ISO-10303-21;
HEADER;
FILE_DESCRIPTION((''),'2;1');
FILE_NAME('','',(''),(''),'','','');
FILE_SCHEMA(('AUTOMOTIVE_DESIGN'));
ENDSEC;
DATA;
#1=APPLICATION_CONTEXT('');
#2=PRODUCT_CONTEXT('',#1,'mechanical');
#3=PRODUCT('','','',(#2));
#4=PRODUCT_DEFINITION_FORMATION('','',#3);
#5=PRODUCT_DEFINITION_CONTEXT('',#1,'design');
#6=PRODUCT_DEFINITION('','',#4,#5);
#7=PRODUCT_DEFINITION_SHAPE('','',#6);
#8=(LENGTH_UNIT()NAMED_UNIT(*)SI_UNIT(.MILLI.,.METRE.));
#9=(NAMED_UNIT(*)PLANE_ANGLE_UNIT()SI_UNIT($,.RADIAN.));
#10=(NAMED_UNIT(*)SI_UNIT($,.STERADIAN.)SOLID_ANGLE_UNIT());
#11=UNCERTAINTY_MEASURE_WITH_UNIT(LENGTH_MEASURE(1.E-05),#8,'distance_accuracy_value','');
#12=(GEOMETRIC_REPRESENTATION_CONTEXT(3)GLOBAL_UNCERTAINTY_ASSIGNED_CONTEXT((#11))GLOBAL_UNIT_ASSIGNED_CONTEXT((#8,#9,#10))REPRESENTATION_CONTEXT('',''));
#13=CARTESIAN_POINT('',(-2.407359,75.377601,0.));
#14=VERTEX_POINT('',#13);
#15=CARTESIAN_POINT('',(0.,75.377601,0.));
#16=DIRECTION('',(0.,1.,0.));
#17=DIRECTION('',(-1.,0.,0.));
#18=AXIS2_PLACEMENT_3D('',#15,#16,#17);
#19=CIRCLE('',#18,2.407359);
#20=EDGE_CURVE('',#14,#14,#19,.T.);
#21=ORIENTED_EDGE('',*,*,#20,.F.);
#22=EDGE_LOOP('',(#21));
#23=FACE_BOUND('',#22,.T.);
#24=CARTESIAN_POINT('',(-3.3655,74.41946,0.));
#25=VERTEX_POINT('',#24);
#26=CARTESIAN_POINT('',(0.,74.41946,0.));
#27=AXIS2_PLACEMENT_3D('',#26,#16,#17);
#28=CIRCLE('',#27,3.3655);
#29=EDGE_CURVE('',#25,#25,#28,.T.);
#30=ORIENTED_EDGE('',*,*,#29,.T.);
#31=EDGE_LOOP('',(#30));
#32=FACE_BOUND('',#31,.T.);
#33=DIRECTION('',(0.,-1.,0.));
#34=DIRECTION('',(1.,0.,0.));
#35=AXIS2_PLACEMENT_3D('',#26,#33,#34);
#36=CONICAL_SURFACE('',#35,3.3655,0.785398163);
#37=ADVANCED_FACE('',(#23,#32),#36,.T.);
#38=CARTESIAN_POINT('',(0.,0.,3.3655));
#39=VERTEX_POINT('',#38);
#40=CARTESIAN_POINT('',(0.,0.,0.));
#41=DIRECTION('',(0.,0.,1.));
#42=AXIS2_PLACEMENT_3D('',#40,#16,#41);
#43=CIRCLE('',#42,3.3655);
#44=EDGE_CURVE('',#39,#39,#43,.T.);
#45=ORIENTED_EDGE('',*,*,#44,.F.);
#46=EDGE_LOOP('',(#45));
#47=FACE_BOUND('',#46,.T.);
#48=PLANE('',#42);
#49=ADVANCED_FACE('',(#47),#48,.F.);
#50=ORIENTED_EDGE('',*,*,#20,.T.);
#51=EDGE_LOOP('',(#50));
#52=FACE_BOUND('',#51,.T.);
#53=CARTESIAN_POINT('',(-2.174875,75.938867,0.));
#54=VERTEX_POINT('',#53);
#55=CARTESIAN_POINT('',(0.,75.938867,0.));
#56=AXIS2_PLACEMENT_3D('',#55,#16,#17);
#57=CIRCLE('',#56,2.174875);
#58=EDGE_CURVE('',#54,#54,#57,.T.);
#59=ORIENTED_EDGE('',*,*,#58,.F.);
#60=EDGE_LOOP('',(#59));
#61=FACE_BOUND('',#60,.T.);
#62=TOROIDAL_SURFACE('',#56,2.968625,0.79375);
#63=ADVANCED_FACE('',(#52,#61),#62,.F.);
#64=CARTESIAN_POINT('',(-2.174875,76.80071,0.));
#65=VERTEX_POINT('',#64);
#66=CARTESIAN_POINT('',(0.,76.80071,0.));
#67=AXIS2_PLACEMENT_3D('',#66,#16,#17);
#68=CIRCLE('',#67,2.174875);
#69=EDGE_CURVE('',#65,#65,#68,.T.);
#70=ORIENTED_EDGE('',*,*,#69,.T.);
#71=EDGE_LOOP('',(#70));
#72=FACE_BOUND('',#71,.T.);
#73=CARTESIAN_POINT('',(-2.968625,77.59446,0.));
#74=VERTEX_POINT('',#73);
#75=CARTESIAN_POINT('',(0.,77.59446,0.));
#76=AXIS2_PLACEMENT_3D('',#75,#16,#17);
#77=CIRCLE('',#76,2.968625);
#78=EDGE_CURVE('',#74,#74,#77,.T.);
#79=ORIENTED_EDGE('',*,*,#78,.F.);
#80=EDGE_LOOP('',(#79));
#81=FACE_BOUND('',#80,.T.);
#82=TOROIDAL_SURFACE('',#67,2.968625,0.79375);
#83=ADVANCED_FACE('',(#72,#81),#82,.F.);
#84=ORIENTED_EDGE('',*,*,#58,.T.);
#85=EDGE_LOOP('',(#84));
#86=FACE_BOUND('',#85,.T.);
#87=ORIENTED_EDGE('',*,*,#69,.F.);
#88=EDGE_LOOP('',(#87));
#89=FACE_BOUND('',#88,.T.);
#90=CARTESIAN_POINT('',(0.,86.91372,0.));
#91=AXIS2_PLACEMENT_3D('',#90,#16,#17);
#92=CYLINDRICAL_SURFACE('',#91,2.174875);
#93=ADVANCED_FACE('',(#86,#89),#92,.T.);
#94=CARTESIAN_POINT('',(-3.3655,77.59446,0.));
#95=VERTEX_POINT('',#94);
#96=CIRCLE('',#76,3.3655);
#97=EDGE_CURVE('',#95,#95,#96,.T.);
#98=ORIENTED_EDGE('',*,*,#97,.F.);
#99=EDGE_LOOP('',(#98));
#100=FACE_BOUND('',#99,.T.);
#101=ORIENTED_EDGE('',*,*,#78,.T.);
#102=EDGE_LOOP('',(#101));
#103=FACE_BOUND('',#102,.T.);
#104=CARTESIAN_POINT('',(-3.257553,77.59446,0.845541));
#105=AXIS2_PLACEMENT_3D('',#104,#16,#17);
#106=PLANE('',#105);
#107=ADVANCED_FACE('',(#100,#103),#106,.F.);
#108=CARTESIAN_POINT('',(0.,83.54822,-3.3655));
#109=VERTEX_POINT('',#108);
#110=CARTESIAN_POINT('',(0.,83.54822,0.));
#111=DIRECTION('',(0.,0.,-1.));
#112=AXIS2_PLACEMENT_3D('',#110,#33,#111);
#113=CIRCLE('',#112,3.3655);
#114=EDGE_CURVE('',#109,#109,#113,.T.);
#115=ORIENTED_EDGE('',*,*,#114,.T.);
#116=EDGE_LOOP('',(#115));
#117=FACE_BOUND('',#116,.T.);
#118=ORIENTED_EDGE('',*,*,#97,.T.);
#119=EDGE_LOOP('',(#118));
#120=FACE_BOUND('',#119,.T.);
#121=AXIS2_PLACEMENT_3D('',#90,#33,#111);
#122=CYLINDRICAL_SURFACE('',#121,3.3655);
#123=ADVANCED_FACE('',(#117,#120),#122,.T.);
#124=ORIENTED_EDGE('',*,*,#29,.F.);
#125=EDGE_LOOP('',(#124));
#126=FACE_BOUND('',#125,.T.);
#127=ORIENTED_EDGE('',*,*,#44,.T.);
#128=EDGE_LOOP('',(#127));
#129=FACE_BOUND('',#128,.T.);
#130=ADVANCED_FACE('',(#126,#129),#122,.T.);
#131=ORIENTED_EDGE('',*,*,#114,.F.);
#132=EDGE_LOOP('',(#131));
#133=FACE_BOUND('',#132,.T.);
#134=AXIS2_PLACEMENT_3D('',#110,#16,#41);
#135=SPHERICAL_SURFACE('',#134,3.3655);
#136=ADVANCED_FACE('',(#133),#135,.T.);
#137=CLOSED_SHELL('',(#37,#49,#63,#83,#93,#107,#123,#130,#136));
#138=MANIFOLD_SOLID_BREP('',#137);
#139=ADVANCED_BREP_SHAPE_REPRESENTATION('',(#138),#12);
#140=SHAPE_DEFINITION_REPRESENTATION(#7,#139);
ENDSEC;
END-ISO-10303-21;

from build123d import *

# Parameters (mm, degrees)
SKETCH1_R           = 3.3655
BOSS_EXTRUDE1_DEPTH = 86.91372
FILLET1_R           = 3.3655


with BuildPart() as part:
    # Sketch1 → Boss-Extrude1 (new body)
    with BuildSketch(Plane(origin=(0, 0, 0), x_dir=(1, 0, 0), z_dir=(0, 1, 0))):
        with Locations(Location((0, 0, 0), (0, 0, 270))):
            Circle(SKETCH1_R)
    extrude(amount=BOSS_EXTRUDE1_DEPTH)

    # Sketch2 → Cut-Revolve2 (revolve, cut)
    with BuildSketch(Plane(origin=(48.790895882, 11.267332823, -12.664317923), x_dir=(0.9679254058512238, 0, -0.2512377533487826), z_dir=(0.2512377533487826, 0, 0.9679254058512238)), mode=Mode.PRIVATE) as cut_revolve2_sk:
        with BuildLine():
            Line((-53.773202481, 66.327127177), (-53.376327481, 66.327127177))
            ThreePointArc((-53.376327481, 66.327127177), (-52.815061473, 66.094643184), (-52.582577481, 65.533377177))
            Line((-52.582577481, 65.533377177), (-52.582577481, 64.671534192))
            ThreePointArc((-52.582577481, 64.671534192), (-52.642998102, 64.367779217), (-52.815061473, 64.110268184))
            Line((-52.815061473, 64.110268184), (-53.773202481, 63.152127177))
            Line((-53.773202481, 63.152127177), (-53.773202481, 66.327127177))
        make_face()
    revolve(cut_revolve2_sk.sketch.rotate(Axis((0, 86.91372, 0), (0, -1, 0)), 14.550768137), axis=Axis((0, 86.91372, 0), (0, -1, 0)), mode=Mode.SUBTRACT)

    # Fillet1
    fillet1_edges = [part.edges().sort_by_distance(p)[0] for p in [
        (0, 86.91372, -3.3655),
    ]]
    fillet(fillet1_edges, radius=FILLET1_R)


solid = part.part
